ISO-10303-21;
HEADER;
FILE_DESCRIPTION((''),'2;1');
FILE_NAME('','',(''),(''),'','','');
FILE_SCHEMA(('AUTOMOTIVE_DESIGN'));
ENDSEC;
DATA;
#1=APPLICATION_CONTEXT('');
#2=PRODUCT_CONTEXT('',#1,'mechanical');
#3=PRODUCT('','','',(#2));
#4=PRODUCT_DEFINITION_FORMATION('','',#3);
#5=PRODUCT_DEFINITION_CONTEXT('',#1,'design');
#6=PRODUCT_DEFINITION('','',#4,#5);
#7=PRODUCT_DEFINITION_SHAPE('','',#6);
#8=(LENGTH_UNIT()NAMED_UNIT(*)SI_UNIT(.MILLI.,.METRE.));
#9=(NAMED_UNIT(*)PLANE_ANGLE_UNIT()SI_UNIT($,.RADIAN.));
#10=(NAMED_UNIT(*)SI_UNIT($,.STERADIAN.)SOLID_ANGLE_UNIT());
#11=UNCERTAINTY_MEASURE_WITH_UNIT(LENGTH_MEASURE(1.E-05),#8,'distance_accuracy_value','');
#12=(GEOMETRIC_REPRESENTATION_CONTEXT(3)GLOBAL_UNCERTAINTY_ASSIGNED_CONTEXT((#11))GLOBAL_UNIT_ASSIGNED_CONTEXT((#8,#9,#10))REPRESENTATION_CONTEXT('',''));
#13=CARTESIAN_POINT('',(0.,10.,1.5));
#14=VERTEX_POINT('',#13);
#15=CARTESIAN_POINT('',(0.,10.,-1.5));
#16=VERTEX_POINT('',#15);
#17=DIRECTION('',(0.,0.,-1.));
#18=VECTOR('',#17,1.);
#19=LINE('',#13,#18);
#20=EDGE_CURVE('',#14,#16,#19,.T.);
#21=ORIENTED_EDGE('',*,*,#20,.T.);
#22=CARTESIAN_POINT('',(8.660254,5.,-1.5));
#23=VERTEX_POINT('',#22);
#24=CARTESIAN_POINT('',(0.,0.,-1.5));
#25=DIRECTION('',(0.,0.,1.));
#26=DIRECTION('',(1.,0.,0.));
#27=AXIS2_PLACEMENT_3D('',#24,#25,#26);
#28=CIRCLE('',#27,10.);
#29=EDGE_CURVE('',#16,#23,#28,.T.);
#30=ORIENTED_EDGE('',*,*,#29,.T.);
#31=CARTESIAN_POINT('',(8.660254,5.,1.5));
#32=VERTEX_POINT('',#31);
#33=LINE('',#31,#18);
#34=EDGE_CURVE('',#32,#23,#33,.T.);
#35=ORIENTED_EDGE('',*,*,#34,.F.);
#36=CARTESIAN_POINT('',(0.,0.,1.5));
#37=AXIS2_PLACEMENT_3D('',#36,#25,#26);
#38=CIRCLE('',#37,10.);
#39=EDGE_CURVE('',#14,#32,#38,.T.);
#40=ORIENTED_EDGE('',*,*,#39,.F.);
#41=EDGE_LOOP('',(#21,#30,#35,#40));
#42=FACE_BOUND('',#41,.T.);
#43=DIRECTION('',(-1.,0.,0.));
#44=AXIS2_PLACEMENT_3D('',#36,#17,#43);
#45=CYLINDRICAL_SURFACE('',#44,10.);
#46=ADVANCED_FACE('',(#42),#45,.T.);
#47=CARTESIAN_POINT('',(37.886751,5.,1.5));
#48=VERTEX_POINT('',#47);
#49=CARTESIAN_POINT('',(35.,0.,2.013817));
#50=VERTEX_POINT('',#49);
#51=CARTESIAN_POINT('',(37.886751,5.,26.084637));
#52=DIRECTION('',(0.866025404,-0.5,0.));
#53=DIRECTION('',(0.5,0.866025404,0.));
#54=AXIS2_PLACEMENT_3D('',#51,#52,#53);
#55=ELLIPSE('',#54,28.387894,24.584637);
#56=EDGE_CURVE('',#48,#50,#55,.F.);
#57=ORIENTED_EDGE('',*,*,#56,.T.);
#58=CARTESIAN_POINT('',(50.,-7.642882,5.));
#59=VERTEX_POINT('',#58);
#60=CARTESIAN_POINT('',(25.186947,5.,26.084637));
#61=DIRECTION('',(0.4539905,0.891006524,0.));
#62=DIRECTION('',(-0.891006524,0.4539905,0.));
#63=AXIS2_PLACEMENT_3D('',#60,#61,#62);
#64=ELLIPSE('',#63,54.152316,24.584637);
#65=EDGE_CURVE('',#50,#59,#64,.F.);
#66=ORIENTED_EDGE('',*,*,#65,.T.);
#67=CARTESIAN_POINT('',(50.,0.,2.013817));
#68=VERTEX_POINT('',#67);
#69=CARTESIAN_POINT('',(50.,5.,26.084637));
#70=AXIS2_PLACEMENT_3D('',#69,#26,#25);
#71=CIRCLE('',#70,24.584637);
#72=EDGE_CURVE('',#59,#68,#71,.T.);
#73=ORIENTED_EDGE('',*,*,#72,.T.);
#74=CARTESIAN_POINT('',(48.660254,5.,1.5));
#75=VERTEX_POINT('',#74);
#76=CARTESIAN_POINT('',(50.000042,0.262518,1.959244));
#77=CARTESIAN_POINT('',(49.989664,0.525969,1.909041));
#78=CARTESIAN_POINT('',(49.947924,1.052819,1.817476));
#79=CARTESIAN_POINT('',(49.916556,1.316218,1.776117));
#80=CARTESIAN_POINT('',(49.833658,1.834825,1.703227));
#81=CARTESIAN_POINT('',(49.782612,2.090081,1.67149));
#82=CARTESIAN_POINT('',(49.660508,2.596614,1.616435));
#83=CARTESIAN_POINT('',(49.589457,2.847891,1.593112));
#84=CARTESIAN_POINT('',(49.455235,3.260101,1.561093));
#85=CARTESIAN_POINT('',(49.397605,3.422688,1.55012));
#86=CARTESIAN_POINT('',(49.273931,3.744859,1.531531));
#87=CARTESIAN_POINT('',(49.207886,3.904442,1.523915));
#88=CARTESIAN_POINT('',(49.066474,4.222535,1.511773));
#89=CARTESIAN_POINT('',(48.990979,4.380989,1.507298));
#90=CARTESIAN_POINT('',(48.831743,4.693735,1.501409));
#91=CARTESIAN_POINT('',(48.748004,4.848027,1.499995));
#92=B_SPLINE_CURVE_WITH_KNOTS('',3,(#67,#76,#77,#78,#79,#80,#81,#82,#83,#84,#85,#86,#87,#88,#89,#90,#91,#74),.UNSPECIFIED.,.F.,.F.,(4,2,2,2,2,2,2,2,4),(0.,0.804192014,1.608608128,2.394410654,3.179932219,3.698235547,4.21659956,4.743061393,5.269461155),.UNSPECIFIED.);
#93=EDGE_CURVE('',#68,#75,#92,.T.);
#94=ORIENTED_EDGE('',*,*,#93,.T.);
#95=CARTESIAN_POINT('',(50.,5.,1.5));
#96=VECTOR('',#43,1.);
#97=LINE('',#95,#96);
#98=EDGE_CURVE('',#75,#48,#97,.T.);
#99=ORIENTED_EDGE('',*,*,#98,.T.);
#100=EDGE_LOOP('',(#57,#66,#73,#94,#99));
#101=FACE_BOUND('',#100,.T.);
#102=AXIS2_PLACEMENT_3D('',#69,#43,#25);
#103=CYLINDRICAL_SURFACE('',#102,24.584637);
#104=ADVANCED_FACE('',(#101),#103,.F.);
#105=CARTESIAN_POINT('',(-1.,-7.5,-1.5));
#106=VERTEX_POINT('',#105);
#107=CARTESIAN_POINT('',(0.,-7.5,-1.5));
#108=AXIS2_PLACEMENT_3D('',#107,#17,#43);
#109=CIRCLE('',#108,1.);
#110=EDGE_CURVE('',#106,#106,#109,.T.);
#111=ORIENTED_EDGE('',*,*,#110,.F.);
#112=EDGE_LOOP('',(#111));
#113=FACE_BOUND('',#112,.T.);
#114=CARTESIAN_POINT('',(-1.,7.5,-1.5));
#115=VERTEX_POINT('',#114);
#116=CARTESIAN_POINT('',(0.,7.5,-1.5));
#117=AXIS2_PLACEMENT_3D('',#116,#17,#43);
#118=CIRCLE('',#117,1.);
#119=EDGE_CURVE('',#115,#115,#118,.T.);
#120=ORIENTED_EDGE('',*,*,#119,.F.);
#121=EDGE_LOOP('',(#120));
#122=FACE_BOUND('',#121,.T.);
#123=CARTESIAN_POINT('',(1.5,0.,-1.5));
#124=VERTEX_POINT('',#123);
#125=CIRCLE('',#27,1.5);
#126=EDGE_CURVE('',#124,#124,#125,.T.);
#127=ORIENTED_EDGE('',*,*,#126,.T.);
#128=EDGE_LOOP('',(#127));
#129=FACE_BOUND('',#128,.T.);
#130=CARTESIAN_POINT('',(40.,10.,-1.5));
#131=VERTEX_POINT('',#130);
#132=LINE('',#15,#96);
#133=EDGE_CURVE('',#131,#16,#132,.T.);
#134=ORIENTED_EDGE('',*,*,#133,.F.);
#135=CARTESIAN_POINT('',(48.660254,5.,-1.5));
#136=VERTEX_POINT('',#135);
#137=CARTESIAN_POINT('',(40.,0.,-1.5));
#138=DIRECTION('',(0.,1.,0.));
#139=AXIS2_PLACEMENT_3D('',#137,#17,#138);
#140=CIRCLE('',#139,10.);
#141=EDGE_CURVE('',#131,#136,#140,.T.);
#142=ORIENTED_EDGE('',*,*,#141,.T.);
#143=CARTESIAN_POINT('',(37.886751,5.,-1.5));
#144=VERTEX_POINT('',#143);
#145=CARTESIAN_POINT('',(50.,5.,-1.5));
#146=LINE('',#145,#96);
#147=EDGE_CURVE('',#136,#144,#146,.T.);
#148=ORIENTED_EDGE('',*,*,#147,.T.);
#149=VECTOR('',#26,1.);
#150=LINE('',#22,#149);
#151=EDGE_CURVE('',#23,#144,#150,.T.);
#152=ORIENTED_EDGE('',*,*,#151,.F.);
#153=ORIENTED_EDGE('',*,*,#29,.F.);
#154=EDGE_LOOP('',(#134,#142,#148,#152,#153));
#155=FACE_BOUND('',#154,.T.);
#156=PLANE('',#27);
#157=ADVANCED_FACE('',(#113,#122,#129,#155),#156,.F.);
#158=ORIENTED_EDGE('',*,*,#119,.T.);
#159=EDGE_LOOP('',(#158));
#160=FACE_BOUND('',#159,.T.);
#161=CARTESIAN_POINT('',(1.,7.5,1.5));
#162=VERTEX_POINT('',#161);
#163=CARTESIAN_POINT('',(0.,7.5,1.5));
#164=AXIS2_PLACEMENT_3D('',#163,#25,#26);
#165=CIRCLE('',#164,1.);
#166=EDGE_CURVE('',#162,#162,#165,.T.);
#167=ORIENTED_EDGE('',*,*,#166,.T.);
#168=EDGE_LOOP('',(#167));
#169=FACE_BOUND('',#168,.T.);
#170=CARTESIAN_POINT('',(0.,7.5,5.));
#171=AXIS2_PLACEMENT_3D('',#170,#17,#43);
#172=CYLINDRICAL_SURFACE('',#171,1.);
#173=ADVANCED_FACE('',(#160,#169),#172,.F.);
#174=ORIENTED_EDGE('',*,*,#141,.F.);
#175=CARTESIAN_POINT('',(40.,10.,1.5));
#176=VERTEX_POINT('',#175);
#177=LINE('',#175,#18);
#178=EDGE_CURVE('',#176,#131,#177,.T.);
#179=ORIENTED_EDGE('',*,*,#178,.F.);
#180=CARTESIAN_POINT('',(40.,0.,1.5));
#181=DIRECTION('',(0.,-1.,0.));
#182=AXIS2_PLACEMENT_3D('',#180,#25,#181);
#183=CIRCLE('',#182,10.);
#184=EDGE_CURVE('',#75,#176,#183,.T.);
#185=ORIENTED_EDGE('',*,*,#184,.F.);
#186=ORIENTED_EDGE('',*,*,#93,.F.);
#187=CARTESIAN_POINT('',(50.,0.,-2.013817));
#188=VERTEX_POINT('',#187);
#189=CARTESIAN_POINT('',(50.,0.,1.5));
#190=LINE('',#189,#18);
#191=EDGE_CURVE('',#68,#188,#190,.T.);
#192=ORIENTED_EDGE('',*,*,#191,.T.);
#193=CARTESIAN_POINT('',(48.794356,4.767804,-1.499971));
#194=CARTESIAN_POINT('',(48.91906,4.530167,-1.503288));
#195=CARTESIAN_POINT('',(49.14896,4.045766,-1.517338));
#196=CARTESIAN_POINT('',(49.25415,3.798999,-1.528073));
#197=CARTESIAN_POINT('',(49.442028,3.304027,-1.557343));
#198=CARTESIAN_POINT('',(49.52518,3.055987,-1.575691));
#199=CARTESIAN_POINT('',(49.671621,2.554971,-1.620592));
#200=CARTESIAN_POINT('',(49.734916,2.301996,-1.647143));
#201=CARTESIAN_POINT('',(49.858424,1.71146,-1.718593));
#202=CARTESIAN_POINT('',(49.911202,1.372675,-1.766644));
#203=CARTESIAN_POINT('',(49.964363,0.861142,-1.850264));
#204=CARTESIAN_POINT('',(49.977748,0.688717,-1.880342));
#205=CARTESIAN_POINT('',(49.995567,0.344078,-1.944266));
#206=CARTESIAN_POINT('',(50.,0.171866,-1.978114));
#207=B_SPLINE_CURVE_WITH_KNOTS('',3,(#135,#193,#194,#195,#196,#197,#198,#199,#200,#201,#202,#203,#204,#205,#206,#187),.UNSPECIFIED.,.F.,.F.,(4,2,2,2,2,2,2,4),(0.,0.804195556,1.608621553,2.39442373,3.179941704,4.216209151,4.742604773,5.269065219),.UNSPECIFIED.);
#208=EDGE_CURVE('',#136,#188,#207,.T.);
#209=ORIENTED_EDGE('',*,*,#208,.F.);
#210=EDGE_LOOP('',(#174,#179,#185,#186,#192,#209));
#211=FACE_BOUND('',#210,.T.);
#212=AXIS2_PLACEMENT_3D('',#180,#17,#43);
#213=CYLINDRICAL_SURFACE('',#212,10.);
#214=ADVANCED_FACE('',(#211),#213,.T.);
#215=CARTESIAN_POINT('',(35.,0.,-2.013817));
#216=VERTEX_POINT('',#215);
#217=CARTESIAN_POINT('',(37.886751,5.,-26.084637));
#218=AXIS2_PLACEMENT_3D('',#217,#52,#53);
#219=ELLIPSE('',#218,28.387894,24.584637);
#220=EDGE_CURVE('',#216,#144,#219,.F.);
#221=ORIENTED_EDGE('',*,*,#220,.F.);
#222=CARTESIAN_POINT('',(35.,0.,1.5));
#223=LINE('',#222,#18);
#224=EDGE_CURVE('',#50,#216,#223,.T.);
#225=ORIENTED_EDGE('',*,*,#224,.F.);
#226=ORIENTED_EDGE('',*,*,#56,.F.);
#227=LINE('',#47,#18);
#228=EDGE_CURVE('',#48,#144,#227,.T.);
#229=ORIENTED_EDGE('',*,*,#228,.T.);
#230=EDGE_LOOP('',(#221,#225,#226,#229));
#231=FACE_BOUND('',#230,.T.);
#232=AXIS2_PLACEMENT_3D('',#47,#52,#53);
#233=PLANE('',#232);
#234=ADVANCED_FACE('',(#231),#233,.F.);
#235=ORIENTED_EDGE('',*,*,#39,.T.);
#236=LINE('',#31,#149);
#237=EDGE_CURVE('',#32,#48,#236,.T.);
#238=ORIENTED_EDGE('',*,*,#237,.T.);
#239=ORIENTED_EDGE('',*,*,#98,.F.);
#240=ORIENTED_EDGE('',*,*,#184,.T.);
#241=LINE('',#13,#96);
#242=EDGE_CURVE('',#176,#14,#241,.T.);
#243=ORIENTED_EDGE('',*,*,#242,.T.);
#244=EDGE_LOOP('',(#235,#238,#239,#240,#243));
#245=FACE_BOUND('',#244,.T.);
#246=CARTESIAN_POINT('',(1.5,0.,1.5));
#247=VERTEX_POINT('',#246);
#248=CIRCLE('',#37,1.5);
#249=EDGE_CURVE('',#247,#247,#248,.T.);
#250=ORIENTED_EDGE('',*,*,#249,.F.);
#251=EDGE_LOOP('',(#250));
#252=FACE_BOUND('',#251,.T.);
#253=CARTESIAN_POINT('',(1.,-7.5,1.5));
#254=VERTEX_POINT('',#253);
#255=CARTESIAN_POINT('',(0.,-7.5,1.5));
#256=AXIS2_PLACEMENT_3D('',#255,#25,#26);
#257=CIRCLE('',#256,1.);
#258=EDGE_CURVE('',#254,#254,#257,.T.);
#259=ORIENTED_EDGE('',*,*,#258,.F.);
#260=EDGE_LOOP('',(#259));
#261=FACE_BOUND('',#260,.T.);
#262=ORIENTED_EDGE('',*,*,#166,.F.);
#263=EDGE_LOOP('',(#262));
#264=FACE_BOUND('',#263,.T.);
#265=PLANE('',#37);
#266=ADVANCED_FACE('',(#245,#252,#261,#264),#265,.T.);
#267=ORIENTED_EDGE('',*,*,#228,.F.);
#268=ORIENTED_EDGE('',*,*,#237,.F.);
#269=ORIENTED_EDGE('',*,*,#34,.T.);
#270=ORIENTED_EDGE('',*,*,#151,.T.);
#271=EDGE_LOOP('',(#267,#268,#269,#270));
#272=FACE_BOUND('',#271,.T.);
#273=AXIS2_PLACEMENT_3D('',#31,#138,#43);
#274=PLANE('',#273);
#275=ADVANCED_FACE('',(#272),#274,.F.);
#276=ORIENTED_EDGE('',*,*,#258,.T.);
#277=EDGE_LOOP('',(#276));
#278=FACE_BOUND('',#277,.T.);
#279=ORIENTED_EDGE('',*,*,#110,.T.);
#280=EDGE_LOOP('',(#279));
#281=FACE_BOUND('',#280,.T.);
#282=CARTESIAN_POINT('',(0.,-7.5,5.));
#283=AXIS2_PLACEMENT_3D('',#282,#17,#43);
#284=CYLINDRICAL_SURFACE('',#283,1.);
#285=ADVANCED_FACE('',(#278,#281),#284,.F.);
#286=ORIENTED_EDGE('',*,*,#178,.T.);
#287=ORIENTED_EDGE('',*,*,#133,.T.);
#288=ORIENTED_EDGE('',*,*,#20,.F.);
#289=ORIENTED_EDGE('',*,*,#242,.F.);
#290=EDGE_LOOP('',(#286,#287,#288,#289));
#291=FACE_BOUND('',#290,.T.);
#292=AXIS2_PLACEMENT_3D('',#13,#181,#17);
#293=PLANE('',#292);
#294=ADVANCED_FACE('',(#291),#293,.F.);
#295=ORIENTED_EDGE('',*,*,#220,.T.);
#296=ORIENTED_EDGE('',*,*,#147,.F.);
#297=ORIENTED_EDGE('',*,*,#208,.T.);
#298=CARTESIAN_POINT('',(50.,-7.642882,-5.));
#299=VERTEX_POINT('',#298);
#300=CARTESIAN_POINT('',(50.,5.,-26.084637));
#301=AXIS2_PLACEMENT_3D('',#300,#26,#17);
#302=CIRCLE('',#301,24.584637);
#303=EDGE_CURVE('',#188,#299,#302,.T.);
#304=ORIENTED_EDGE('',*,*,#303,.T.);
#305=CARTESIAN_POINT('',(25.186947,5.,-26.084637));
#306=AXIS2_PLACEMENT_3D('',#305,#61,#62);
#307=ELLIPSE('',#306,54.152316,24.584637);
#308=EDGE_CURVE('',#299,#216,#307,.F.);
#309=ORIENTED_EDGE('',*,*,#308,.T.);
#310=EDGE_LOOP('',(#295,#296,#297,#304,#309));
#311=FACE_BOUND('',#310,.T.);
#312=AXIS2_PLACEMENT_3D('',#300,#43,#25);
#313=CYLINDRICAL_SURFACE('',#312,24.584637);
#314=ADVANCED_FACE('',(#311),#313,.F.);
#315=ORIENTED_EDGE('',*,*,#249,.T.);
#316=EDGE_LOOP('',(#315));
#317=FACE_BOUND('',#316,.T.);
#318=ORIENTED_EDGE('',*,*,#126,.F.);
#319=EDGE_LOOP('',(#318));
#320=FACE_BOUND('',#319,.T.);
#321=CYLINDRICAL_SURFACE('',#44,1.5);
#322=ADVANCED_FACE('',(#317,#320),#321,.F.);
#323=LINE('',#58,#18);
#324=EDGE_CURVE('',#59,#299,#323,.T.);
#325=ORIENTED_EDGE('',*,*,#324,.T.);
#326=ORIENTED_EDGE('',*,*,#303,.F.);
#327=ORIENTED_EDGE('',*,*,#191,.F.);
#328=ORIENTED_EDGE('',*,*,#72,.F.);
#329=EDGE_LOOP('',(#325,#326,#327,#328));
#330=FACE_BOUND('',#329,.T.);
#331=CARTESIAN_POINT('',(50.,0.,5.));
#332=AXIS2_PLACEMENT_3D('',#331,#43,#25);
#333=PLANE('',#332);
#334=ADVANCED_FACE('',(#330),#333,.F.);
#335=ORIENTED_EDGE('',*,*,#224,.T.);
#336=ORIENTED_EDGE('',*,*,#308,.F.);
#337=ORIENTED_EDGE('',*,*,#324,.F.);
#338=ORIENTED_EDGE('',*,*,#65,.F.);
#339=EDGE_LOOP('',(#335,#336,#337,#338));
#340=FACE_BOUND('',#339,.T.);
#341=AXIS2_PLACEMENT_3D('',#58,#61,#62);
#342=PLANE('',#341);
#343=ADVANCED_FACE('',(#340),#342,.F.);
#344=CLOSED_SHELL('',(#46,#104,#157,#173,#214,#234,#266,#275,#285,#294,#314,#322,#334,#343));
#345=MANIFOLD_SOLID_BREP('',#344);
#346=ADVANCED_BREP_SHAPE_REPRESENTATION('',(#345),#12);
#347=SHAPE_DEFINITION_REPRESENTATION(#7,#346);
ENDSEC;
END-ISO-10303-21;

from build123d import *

# Parameters (mm, degrees)
SKETCH1_R           = 1.5
BOSS_EXTRUDE1_DEPTH = 1.5
BOSS_EXTRUDE2_DEPTH = 5
CUT_EXTRUDE1_START  = -12.113249
SKETCH3_OUTSIDE_W   = 24.806
SKETCH3_OUTSIDE_H   = 34.806
CUT_EXTRUDE1_DEPTH  = 15
SKETCH4_R           = 1
CUT_EXTRUDE2_DEPTH  = 52.402821


with BuildPart() as part:
    # Sketch1 → Boss-Extrude1 (new, symmetric)
    with BuildSketch(Plane.XY):
        with BuildLine():
            Line((0, 10), (40, 10))
            ThreePointArc((40, 10), (47.071068, 7.071068), (50, 0))
            Line((50, 0), (35, 0))
            Line((35, 0), (37.886751, 5))
            Line((37.886751, 5), (8.660254, 5))
            ThreePointArc((8.660254, 5), (-5, -8.660254), (0, 10))
        make_face()
        Circle(SKETCH1_R, mode=Mode.SUBTRACT)
    extrude(amount=BOSS_EXTRUDE1_DEPTH, both=True)

    # Sketch2 → Boss-Extrude2 (add, symmetric)
    with BuildSketch(Plane.XY):
        with BuildLine():
            Line((37.886751, 5), (37.886751, 10))
            Line((37.886751, 10), (40, 10))
            ThreePointArc((40, 10), (47.071068, 7.071068), (50, 0))
            Line((50, 0), (50, -7.642882))
            Line((50, -7.642882), (35, 0))
            Line((35, 0), (37.886751, 5))
        make_face()
    extrude(amount=BOSS_EXTRUDE2_DEPTH, both=True)

    # Sketch3 outside → Cut-Extrude1 (cut)
    with BuildSketch(Plane.ZY.offset(-37.886751).offset(CUT_EXTRUDE1_START)):
        Rectangle(SKETCH3_OUTSIDE_W, SKETCH3_OUTSIDE_H)
        with BuildLine():
            Line((-1.5, 10), (-1.5, 5))
            ThreePointArc((-1.5, 5), (-2.391151, -1.559201), (-5, -7.642882))
            Line((-5, -7.642882), (5, -7.642882))
            ThreePointArc((5, -7.642882), (2.391151, -1.559201), (1.5, 5))
            Line((1.5, 5), (1.5, 10))
            Line((1.5, 10), (-1.5, 10))
        make_face(mode=Mode.SUBTRACT)
    extrude(amount=CUT_EXTRUDE1_DEPTH, mode=Mode.SUBTRACT)

    # Sketch4 → Cut-Extrude2 (cut, through all)
    with BuildSketch(Plane(origin=(0, 0, -1.5), x_dir=(-1, 0, 0), z_dir=(0, 0, -1))):
        with Locations((0, 7.5)):
            Circle(SKETCH4_R)
        with Locations((0, -7.5)):
            Circle(SKETCH4_R)
    extrude(amount=-CUT_EXTRUDE2_DEPTH, mode=Mode.SUBTRACT)


solid = part.part
